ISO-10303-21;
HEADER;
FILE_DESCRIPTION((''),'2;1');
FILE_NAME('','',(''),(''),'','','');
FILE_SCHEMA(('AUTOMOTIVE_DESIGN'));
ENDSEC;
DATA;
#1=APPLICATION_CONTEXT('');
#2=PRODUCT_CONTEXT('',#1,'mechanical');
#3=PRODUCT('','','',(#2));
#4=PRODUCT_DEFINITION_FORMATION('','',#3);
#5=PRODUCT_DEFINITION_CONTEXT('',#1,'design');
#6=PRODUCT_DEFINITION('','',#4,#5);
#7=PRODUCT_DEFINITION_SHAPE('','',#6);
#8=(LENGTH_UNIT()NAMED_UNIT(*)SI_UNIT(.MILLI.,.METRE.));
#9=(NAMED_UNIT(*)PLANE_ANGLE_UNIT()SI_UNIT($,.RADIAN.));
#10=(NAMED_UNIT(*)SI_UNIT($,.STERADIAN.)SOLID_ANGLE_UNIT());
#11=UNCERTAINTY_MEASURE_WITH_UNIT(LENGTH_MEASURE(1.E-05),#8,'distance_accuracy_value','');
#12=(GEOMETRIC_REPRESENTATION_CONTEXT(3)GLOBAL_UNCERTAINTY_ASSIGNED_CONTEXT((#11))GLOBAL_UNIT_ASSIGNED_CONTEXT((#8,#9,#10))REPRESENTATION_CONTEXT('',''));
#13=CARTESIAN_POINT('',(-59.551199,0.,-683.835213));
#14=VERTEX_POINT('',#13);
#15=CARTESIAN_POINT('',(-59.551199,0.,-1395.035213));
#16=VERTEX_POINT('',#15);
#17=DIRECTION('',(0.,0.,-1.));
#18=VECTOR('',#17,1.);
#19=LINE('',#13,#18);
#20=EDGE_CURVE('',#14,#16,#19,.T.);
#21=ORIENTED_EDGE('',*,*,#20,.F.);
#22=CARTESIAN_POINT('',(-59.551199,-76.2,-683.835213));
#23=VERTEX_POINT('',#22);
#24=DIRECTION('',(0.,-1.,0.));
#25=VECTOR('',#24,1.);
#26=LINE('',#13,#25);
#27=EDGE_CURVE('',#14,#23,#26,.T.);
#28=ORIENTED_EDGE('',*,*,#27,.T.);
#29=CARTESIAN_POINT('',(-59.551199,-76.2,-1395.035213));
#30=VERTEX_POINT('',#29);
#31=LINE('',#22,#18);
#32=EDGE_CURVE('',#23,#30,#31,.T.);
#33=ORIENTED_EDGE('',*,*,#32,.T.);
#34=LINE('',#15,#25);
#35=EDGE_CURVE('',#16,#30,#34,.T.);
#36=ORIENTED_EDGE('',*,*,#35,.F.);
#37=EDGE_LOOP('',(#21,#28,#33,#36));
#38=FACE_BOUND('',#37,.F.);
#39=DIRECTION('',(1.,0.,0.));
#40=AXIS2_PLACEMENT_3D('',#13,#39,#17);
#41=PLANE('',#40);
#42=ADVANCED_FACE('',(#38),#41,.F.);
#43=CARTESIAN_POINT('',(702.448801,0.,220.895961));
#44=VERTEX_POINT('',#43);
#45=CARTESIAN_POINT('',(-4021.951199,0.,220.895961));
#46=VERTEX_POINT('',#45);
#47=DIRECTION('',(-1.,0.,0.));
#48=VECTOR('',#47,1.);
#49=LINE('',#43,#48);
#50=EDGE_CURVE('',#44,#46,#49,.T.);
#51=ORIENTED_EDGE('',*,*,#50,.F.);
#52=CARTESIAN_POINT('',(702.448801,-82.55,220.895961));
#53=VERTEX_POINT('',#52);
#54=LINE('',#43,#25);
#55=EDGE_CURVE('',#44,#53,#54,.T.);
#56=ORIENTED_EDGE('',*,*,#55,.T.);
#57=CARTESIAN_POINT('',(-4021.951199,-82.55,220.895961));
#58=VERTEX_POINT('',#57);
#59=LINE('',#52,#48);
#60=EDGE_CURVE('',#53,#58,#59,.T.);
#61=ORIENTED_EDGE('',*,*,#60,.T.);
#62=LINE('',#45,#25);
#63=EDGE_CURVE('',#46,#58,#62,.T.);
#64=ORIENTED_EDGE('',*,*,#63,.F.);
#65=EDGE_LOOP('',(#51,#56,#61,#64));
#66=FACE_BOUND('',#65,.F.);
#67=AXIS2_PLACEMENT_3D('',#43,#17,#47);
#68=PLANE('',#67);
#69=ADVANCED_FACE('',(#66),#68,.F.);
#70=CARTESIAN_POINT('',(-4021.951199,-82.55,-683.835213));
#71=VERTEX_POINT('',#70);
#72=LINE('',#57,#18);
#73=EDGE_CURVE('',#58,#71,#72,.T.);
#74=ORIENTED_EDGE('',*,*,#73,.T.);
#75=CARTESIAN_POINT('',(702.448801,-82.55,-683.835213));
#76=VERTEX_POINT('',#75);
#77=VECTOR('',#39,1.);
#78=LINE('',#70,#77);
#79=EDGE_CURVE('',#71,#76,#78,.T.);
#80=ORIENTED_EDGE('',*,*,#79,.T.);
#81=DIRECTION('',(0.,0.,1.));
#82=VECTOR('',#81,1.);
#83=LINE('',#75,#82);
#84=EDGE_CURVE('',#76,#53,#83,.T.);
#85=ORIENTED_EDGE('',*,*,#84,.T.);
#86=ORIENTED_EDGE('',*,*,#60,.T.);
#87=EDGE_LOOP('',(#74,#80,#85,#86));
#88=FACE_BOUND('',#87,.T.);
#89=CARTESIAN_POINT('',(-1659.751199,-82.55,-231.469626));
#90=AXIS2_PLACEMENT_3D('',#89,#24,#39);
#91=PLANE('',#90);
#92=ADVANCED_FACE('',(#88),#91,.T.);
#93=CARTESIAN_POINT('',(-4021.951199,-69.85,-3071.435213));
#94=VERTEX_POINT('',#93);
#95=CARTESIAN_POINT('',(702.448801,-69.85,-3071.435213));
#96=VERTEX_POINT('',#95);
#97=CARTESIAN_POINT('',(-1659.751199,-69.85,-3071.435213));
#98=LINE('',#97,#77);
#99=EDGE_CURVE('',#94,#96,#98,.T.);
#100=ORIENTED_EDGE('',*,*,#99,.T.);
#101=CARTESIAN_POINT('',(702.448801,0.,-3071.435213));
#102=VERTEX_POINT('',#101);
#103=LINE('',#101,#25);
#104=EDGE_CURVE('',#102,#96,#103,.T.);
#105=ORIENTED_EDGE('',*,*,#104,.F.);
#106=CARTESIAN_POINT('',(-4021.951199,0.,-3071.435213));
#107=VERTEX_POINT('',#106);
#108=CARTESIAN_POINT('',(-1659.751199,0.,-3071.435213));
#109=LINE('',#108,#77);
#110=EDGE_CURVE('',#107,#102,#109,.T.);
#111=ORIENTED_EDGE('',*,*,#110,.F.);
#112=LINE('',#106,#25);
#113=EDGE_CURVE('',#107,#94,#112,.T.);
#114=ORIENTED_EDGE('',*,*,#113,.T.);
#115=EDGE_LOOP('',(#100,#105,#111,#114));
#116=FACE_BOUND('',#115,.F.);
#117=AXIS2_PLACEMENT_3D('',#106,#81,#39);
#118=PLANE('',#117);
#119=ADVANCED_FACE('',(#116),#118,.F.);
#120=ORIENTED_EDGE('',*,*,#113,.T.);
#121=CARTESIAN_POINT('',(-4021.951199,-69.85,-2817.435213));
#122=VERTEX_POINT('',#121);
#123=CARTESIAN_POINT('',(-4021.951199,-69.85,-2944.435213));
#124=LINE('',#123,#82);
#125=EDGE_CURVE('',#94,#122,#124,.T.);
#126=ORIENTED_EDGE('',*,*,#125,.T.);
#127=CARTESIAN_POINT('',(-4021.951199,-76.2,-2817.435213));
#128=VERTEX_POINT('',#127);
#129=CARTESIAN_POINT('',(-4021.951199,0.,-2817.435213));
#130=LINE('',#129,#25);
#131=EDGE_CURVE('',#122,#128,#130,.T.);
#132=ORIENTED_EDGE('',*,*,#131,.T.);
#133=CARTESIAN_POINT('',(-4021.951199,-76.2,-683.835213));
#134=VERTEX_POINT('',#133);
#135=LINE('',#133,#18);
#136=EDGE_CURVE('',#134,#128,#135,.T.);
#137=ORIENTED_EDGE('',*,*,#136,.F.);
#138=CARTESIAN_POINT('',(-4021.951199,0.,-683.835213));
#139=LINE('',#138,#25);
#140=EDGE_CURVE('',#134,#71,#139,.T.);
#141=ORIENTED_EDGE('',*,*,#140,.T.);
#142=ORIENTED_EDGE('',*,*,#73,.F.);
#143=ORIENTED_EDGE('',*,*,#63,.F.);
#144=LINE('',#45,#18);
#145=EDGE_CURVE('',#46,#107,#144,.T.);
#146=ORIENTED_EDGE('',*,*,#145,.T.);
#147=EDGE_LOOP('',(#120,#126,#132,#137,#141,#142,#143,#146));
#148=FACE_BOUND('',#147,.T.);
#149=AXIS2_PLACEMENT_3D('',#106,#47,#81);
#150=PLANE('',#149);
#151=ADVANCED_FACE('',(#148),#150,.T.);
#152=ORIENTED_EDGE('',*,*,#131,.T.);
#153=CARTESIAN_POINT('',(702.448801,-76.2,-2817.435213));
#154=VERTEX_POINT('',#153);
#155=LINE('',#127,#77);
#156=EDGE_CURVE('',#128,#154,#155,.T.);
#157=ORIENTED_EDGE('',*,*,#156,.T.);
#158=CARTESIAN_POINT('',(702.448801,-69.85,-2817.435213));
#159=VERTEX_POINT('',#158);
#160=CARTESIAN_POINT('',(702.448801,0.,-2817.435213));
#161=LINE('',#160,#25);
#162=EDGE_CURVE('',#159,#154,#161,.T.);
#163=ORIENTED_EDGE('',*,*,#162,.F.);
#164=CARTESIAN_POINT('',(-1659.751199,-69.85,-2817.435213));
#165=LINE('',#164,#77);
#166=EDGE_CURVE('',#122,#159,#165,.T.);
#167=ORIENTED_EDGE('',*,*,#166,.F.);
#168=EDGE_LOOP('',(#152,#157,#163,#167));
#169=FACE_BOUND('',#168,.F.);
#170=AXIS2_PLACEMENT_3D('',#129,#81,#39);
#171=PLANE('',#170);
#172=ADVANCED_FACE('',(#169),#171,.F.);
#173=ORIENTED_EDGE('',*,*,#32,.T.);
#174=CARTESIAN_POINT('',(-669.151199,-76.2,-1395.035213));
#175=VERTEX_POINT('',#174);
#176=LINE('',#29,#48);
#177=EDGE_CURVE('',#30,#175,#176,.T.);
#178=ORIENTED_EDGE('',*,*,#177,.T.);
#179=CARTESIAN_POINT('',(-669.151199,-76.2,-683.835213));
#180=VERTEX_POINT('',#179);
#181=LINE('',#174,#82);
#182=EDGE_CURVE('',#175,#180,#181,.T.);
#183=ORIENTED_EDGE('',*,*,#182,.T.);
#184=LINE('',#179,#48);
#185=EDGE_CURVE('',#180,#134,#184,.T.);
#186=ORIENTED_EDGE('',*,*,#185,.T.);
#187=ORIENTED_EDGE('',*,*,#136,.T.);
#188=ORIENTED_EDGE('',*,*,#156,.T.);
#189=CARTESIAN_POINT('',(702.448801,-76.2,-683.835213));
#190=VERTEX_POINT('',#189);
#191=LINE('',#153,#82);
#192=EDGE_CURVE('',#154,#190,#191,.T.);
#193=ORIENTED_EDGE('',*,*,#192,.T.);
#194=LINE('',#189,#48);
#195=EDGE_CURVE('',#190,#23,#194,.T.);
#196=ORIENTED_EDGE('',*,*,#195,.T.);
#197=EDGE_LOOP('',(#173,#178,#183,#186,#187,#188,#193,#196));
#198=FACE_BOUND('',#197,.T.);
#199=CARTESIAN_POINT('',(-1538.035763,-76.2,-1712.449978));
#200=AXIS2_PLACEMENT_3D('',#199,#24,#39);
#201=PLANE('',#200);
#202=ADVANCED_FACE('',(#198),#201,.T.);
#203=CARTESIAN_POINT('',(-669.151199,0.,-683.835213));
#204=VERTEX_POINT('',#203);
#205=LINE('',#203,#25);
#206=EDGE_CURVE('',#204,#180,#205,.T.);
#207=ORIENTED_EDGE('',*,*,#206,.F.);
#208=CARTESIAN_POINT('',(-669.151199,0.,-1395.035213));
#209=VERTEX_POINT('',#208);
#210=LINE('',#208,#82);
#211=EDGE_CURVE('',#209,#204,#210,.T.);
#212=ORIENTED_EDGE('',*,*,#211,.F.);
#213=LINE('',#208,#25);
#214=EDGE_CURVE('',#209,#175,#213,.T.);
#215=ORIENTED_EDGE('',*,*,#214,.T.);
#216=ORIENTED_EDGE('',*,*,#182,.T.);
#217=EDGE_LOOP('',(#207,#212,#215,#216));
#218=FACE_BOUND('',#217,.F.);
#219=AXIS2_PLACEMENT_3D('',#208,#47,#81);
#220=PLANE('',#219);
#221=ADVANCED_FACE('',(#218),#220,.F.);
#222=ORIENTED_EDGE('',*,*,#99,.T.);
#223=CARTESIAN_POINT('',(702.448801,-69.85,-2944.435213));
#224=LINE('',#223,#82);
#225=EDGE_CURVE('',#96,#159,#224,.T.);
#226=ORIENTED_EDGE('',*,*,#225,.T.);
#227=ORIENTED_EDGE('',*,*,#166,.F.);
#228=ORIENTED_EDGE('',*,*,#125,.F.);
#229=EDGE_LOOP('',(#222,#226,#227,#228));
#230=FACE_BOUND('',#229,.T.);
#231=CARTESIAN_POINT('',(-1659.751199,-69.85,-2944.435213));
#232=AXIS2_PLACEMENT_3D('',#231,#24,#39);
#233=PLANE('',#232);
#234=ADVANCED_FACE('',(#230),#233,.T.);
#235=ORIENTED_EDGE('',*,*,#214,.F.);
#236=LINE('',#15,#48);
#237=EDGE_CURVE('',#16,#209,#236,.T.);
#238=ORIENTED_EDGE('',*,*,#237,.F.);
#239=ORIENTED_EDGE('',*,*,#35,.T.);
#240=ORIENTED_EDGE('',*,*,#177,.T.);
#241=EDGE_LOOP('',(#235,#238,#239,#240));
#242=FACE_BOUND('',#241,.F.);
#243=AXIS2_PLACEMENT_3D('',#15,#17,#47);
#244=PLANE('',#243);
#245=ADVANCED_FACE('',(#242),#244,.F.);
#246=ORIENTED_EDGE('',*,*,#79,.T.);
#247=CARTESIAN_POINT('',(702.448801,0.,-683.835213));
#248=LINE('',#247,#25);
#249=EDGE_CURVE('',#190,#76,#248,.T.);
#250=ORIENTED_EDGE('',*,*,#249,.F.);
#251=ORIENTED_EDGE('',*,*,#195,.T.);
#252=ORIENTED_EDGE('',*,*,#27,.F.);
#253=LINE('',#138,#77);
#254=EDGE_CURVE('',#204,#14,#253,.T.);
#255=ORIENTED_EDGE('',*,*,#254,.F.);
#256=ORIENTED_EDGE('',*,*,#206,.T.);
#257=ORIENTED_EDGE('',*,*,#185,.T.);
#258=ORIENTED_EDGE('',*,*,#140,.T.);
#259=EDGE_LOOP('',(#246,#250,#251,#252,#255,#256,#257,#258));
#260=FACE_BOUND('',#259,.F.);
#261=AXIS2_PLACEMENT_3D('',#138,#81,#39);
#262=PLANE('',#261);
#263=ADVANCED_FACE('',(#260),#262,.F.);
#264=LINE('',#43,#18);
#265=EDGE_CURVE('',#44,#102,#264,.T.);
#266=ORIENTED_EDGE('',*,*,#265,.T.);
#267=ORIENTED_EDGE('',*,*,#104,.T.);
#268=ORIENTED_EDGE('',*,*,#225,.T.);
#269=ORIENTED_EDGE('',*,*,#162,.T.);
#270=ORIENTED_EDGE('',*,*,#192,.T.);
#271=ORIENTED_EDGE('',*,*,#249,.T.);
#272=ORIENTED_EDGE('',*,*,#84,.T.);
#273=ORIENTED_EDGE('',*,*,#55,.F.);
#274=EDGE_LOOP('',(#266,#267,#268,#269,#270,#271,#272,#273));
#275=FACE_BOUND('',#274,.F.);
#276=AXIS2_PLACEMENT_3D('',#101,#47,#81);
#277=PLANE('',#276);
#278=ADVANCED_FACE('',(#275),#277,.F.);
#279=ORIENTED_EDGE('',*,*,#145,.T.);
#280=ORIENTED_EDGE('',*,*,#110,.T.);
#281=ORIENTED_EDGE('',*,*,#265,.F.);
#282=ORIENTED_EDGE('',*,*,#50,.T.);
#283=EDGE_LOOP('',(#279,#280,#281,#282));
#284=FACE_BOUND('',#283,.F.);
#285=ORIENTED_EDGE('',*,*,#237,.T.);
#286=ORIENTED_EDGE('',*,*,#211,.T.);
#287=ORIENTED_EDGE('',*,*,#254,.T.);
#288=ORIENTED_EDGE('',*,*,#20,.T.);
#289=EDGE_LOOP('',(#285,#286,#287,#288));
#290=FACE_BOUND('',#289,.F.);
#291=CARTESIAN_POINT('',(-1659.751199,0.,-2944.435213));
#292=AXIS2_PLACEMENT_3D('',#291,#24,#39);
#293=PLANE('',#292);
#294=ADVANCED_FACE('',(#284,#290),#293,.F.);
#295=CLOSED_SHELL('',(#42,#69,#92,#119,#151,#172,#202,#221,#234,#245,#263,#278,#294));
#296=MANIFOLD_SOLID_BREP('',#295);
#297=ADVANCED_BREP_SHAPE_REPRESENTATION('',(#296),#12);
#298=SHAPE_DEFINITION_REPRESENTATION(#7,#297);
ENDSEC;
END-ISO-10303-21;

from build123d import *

# Parameters (mm, degrees)
F1_DEPTH = 82.55
F2_DEPTH = 76.2
F0_W     = 4724.4
F0_H     = 254
F3_DEPTH = 69.85


with BuildPart() as f1:
    # F0 (on Front) → F1 (new body)
    with BuildSketch(Plane.XZ):
        Polygon((-4021.951199, -683.835213), (-669.151199, -683.835213), (-59.551199, -683.835213), (702.448801, -683.835213), (702.448801, 220.895961), (-4021.951199, 220.895961), align=None)
    extrude(amount=F1_DEPTH)

    # F0 (on Front) → F2 (join)
    with BuildSketch(Plane.XZ):
        Polygon((-669.151199, -1395.035213), (-669.151199, -683.835213), (-4021.951199, -683.835213), (-4021.951199, -2817.435213), (702.448801, -2817.435213), (702.448801, -683.835213), (-59.551199, -683.835213), (-59.551199, -1395.035213), align=None)
    extrude(amount=F2_DEPTH)

    # F0 (on Front) → F3 (join)
    with BuildSketch(Plane.XZ):
        with Locations((-1659.751199, -2944.435213)):
            Rectangle(F0_W, F0_H)
    extrude(amount=F3_DEPTH)


solid = f1.part
